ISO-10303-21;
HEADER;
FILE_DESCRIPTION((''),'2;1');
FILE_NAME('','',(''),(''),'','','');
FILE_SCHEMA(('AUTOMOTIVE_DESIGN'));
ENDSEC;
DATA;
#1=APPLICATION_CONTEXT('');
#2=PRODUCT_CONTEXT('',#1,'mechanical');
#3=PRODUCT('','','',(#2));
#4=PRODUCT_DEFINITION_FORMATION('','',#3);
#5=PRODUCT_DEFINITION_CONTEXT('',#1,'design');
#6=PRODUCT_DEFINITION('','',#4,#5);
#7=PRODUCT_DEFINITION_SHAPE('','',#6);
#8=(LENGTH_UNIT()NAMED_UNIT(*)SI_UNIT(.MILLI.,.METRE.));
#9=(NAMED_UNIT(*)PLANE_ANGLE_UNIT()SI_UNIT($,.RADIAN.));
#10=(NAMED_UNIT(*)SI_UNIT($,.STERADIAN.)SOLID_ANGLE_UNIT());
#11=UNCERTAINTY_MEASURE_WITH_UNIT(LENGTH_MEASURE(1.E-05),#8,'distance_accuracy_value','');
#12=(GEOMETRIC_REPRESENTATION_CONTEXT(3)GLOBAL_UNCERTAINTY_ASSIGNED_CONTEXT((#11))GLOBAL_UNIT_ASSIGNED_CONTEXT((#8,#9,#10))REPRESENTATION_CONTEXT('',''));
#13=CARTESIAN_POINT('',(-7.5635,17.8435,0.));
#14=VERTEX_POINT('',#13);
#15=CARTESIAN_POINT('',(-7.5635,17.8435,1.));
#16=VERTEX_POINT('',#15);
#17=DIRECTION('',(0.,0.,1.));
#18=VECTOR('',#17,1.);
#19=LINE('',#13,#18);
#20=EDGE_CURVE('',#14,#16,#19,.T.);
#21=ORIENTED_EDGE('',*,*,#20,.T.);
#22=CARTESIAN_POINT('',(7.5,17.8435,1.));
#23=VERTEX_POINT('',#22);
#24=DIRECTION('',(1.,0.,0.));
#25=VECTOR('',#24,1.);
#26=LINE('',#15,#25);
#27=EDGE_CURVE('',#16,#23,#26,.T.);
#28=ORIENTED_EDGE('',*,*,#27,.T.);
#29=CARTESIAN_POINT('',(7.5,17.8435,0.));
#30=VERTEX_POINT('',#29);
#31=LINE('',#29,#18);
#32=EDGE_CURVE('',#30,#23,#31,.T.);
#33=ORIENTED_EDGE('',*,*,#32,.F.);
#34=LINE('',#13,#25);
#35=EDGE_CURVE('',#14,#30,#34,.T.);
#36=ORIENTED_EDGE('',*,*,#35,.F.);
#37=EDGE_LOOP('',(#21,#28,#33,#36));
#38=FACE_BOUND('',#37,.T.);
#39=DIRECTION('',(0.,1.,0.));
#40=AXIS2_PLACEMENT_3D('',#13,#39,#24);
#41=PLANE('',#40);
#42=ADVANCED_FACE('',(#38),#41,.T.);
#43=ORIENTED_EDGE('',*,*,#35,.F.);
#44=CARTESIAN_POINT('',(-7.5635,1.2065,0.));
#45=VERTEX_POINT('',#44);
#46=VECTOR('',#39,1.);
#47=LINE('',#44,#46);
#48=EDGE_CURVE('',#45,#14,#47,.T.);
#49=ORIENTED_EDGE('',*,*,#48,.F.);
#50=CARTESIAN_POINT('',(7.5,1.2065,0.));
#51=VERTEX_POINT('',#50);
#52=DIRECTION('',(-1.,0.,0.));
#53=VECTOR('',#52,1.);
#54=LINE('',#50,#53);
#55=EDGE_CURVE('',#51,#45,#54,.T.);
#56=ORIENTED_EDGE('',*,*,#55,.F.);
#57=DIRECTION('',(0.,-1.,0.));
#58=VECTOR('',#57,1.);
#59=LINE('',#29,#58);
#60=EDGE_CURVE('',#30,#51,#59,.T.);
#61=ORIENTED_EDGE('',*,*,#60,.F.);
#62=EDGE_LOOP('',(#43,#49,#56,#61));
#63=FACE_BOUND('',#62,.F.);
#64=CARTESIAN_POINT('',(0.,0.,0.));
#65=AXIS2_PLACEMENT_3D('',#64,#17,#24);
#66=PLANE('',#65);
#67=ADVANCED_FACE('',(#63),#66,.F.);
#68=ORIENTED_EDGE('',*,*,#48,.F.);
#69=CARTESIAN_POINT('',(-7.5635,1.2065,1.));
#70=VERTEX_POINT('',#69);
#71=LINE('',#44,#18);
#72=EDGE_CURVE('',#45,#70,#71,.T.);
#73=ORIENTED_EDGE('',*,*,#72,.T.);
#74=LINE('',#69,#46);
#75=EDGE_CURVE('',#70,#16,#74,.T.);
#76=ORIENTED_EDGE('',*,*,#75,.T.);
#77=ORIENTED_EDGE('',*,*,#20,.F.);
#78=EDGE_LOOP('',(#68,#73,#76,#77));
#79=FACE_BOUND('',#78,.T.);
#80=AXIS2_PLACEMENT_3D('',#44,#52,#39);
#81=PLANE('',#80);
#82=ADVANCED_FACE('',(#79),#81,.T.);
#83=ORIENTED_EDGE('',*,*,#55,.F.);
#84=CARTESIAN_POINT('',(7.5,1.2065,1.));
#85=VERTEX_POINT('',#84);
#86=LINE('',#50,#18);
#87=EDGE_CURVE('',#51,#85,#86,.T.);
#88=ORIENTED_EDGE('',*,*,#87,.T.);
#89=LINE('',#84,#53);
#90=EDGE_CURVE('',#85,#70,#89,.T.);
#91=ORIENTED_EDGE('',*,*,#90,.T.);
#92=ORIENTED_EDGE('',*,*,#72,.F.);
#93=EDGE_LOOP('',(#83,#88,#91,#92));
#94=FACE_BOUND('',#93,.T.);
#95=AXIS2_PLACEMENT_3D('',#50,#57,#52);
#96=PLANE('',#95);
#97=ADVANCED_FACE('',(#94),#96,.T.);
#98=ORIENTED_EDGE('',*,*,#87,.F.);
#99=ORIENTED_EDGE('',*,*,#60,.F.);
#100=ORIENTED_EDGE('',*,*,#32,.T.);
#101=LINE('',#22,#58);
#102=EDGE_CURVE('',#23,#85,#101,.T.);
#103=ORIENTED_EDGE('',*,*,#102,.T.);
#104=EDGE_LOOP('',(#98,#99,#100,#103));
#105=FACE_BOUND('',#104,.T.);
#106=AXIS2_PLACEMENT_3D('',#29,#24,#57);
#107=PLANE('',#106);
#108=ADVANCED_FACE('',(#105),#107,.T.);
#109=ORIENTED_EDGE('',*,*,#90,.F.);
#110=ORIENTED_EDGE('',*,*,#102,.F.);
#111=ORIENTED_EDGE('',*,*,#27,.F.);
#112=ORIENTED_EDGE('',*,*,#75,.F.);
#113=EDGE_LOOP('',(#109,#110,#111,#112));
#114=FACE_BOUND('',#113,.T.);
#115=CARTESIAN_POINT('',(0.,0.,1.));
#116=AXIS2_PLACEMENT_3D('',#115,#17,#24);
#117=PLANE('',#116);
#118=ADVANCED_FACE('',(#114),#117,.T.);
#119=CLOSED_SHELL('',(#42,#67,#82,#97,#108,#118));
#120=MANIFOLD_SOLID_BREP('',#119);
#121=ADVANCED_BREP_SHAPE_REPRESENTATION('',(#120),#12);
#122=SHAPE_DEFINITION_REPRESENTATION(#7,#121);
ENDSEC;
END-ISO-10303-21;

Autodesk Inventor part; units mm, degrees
ref_plane "YZ Plane" through (0, 0, 0) normal (1, 0, 0) x (0, 1, 0)
ref_plane "XZ Plane" through (0, 0, 0) normal (0, 1, 0) x (-1, 0, 0)
ref_plane "XY Plane" through (0, 0, 0) normal (0, 0, 1) x (1, 0, 0)
sketch "LMZ13610, LMZ13610_27" plane through (0, 0, 0) normal (0, 0, 1) x (1, 0, 0)
  line L0 (-7.5635, 17.8435) -> (7.5, 17.8435)
  line L1 (7.5, 17.8435) -> (7.5, 1.2065)
  line L2 (7.5, 1.2065) -> (-7.5635, 1.2065)
  line L3 (-7.5635, 1.2065) -> (-7.5635, 17.8435)
extrude "Выдавливание1" add sketch "LMZ13610, LMZ13610_27" along normal blind 1
properties part number "LMZ13610"
